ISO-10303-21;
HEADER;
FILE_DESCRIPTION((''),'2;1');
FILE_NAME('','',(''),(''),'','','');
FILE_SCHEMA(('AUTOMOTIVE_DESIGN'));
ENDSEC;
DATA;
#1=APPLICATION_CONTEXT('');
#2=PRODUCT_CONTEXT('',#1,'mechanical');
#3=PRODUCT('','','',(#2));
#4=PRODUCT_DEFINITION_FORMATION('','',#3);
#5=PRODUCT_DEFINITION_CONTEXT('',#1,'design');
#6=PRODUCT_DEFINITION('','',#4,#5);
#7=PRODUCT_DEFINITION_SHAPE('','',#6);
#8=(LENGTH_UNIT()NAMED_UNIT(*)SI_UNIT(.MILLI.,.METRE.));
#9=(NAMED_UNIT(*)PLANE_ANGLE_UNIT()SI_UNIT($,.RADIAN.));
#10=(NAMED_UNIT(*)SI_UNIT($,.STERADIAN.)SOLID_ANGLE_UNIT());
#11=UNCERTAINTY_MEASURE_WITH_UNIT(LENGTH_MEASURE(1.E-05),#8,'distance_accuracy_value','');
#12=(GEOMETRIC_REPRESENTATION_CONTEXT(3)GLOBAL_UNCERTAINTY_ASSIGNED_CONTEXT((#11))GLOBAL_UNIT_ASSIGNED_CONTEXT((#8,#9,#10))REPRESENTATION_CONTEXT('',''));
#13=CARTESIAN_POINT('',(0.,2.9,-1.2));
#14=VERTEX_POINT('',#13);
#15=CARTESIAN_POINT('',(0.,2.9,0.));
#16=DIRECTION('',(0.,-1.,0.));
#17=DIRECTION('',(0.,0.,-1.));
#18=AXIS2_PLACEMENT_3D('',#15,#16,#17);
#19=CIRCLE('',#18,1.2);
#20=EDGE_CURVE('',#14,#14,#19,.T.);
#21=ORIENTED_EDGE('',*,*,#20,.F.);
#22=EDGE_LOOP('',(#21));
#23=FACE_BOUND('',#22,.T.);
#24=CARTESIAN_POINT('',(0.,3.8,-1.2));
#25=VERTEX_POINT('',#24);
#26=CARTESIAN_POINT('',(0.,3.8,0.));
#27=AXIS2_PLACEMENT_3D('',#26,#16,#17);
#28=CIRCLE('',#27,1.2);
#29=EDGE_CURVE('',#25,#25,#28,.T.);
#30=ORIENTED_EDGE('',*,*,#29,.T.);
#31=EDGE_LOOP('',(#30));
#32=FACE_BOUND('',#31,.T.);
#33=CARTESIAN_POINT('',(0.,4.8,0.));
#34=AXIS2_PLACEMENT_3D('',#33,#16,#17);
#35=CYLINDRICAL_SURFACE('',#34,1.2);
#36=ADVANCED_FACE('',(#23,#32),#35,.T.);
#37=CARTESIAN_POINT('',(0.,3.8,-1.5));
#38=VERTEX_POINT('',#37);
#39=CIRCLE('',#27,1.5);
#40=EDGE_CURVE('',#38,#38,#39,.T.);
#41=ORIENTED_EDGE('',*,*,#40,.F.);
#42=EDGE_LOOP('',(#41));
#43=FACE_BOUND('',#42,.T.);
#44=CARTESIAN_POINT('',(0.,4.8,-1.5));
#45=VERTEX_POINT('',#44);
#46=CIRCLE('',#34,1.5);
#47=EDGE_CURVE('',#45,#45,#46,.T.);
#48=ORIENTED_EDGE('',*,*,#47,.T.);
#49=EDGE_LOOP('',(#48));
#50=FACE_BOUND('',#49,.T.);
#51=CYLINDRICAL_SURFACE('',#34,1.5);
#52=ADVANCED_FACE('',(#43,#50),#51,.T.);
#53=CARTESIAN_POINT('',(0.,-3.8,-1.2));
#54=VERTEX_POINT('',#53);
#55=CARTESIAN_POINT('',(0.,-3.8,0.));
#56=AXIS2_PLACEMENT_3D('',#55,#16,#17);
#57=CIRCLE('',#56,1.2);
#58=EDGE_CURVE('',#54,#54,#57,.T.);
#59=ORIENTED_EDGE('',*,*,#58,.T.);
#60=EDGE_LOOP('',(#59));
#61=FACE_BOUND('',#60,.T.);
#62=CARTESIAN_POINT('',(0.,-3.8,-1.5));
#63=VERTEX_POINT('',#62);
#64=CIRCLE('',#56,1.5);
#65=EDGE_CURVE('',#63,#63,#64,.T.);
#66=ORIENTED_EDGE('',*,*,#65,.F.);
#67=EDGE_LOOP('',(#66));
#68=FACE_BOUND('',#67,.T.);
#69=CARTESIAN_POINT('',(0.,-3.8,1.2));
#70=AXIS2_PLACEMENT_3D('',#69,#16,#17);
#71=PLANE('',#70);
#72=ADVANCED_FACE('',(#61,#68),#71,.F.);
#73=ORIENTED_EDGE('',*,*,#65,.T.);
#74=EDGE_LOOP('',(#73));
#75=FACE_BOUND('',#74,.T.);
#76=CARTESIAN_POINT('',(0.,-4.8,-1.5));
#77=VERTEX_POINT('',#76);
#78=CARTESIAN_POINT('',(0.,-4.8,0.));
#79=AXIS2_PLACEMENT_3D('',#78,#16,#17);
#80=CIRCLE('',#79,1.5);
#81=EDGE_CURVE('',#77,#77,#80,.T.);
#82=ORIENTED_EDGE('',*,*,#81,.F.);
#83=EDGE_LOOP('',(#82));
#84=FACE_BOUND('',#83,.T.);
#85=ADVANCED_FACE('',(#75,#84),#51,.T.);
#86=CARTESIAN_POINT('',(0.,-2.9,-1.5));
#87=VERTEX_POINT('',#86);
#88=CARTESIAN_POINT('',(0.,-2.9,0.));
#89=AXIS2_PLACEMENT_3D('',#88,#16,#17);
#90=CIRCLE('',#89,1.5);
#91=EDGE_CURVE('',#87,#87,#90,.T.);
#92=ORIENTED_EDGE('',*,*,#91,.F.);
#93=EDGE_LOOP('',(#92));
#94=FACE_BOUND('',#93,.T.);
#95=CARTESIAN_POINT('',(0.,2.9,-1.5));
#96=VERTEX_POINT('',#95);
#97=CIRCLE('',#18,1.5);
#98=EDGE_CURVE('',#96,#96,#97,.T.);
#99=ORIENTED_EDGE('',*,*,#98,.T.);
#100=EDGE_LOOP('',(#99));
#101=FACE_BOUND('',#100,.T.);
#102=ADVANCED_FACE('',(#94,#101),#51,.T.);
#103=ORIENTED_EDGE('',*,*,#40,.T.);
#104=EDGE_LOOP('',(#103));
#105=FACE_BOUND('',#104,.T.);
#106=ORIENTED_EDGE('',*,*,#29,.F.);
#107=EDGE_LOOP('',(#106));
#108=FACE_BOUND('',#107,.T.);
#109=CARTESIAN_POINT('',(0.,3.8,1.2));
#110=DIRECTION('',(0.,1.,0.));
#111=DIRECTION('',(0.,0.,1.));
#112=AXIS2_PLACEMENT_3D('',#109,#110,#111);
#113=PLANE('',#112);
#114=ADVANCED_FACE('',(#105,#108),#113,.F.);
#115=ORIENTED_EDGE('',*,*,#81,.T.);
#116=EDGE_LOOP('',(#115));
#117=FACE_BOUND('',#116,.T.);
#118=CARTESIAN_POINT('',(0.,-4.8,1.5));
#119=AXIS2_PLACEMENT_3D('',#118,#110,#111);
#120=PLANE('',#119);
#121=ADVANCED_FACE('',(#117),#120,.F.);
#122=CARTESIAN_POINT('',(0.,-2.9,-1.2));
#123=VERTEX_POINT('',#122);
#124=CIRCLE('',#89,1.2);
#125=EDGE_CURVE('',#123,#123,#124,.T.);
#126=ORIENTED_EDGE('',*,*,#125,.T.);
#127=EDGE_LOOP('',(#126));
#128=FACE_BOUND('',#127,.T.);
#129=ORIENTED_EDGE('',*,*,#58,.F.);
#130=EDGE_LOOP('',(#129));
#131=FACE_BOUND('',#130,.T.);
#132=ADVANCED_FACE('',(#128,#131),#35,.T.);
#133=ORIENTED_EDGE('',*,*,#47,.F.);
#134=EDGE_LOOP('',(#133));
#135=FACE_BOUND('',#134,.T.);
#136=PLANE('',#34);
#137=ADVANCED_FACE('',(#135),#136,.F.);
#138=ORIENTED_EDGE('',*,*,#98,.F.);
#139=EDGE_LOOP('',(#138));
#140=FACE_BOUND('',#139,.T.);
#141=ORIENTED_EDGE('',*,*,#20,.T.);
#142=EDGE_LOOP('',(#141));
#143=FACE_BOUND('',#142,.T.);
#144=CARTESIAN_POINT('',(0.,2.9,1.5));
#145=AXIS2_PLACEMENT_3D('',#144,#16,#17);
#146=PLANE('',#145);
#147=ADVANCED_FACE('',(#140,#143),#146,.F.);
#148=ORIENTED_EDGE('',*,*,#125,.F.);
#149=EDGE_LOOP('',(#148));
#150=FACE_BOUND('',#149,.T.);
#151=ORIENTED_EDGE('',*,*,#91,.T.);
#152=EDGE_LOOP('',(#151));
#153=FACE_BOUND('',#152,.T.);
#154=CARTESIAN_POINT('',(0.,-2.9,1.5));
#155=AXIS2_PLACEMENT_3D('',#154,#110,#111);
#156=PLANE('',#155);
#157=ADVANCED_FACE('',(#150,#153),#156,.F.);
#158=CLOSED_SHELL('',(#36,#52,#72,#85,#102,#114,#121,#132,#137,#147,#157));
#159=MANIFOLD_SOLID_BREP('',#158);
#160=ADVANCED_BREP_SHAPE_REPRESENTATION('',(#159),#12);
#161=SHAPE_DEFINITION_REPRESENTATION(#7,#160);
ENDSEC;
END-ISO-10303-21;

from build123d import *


with BuildPart() as part:
    # Sketch1 → Revolve1 (revolve)
    with BuildSketch(Plane.YZ, mode=Mode.PRIVATE) as revolve1_sk:
        Polygon((0, 0), (4.8, 0), (4.8, 1.5), (3.8, 1.5), (3.8, 1.2), (2.9, 1.2), (2.9, 1.5), (-2.9, 1.5), (-2.9, 1.2), (-3.8, 1.2), (-3.8, 1.5), (-4.8, 1.5), (-4.8, 0), align=None)
    revolve(revolve1_sk.sketch.rotate(Axis((0, 4.8, 0), (0, 1, 0)), 180), axis=Axis((0, 4.8, 0), (0, 1, 0)))


solid = part.part
